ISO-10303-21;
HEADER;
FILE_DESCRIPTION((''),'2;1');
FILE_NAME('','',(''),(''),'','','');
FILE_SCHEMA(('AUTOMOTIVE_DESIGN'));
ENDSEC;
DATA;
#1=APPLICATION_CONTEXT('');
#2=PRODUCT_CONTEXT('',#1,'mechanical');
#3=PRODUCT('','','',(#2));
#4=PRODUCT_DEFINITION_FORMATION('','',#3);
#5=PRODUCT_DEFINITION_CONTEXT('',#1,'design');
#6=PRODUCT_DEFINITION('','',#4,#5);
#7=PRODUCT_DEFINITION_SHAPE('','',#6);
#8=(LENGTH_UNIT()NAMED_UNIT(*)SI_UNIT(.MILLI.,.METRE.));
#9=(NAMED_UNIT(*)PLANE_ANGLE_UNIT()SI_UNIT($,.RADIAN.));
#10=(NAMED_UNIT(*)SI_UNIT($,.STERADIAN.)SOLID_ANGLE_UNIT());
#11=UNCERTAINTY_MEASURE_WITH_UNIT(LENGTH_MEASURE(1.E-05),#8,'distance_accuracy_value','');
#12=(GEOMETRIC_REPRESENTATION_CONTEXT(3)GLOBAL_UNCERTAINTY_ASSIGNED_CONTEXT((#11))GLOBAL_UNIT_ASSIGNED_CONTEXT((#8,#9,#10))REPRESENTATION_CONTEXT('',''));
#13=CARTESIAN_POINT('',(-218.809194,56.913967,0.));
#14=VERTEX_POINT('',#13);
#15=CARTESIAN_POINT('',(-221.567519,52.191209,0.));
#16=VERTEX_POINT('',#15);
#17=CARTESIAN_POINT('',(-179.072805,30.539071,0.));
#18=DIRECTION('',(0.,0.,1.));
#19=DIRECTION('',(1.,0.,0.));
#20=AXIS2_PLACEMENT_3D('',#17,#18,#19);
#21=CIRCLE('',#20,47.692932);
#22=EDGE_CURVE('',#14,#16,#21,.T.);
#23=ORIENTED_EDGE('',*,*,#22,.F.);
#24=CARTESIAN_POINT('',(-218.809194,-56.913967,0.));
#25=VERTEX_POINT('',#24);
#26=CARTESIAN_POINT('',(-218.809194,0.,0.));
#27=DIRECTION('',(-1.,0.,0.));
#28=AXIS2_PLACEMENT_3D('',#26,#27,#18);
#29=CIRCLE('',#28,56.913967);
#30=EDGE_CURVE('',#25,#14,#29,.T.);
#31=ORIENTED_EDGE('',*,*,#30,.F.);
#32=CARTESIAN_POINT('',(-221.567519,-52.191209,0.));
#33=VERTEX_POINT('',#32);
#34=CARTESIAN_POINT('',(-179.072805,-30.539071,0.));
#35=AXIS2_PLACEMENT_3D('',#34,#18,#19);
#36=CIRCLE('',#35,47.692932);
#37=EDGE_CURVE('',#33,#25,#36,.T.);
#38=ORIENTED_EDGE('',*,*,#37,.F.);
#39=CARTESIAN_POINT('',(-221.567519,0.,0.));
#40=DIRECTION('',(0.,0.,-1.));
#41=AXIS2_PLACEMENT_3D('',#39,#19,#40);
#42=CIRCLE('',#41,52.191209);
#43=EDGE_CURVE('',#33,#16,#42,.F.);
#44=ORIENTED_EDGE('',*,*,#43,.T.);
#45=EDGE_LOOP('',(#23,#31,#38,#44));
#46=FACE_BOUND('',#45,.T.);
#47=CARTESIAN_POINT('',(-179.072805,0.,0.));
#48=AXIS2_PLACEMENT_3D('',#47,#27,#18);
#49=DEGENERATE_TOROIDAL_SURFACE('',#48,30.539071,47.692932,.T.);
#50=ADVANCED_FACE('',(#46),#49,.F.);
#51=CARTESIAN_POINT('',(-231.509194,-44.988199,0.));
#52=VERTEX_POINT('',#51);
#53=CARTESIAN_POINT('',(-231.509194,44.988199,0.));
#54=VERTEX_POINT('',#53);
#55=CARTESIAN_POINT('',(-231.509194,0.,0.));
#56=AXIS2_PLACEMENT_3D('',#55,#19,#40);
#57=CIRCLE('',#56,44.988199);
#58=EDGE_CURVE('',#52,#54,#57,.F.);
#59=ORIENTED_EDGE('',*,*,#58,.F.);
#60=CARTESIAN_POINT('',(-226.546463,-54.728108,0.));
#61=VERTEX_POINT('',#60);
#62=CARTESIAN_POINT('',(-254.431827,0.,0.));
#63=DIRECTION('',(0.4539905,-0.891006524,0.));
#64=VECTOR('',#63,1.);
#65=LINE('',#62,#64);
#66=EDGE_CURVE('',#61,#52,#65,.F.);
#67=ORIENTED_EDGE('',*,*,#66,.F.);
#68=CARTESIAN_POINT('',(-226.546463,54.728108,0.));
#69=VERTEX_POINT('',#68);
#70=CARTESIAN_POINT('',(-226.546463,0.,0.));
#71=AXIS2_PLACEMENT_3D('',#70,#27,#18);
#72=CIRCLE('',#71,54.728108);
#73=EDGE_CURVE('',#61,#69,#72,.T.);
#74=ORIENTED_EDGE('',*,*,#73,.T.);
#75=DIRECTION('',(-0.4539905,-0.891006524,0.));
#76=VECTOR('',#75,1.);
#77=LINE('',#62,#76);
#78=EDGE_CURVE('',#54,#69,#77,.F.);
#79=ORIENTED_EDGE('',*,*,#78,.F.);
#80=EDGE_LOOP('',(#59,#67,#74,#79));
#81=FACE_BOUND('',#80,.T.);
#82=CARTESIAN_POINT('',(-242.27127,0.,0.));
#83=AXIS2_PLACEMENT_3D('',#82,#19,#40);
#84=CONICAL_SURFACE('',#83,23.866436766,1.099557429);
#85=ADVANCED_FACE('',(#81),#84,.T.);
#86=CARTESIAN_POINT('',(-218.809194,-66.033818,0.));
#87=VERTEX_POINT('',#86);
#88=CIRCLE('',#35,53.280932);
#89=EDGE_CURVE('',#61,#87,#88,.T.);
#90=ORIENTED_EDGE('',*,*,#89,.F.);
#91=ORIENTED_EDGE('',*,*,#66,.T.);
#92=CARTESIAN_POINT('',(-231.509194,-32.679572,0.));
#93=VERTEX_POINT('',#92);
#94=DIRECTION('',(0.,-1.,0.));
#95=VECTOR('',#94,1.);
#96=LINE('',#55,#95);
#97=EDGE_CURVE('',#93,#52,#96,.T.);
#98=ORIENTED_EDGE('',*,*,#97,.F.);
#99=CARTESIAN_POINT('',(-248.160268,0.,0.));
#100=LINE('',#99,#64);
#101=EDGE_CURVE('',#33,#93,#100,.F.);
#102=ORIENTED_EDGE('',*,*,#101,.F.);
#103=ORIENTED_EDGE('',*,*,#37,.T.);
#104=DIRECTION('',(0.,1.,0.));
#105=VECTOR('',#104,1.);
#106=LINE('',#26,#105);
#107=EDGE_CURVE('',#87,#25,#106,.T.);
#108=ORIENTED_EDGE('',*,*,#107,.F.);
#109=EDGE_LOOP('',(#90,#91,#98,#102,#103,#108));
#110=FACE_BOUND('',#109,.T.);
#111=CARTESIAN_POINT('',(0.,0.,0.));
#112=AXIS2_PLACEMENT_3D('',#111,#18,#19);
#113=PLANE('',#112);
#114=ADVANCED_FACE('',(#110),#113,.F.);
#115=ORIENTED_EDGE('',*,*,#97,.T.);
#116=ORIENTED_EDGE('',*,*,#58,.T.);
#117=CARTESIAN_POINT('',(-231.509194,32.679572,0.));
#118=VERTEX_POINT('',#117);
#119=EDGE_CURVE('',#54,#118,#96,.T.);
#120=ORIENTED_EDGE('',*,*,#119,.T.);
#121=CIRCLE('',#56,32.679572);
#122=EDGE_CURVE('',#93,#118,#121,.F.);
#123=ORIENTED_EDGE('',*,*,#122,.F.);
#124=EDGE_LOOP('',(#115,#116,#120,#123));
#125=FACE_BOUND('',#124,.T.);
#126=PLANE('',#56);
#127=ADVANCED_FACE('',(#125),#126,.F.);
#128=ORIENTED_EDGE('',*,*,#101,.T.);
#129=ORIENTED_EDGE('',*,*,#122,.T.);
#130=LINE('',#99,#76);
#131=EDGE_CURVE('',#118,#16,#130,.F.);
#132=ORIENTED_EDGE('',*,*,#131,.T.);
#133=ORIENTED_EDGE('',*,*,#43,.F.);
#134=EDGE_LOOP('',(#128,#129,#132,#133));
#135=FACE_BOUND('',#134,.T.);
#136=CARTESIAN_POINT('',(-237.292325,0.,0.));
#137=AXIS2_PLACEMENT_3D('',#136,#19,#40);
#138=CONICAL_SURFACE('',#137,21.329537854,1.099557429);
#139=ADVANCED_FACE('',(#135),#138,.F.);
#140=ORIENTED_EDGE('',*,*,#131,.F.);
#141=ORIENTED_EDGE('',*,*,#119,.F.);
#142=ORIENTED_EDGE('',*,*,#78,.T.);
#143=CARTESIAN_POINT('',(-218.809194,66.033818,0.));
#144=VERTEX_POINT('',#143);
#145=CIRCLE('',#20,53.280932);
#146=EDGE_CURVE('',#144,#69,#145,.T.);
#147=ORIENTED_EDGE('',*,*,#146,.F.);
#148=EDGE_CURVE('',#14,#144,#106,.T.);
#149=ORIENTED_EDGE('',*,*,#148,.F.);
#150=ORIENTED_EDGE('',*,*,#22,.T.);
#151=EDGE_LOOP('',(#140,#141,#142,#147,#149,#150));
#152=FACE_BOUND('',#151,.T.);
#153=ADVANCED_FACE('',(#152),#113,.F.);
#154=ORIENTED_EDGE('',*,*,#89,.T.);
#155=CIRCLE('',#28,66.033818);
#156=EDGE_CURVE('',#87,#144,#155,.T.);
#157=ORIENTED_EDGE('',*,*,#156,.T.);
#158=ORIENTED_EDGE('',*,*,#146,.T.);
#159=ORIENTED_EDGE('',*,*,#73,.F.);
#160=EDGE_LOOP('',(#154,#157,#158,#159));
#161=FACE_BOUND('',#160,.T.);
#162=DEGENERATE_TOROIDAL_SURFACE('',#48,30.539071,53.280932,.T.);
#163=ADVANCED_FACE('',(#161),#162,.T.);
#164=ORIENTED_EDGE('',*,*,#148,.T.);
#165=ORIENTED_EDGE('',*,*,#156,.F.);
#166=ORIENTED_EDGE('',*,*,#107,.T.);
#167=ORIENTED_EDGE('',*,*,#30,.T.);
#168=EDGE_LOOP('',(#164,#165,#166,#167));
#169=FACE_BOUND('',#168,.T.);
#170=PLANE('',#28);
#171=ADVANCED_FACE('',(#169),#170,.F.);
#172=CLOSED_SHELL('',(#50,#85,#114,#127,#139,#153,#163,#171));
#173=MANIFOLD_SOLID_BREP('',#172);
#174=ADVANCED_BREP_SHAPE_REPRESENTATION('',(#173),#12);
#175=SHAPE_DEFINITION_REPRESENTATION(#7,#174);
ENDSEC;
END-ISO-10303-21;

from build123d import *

# Parameters (mm, degrees)
SCALE1_SCALE       = 649.76746201
SHELL2_T           = 5.588
SKETCH3_R          = 101.6
SKETCH3_R_2        = 66.04
CUT_EXTRUDE2_DEPTH = 535.742534837
CUT_EXTRUDE3_START = -41.91
SKETCH4_R          = 92.04718224
CUT_EXTRUDE3_DEPTH = 41.91
CUT_EXTRUDE4_START = -12.7
SKETCH5_R          = 73.005644817
CUT_EXTRUDE4_DEPTH = 50.8
SKETCH6_W          = 424.059423161
SKETCH6_H          = 690.342462677
CUT_EXTRUDE5_DEPTH = 250.634607617


with BuildPart() as part:
    # Sketch1 → Revolve2 (revolve)
    with BuildSketch(Plane.XY, mode=Mode.PRIVATE) as revolve2_sk:
        with BuildLine():
            Line((0.30325, 0.129), (-0.275595218, 0.129))
            ThreePointArc((-0.275595218, 0.129), (-0.3184401, 0.116916493), (-0.348657753, 0.084227221))
            Line((-0.348657753, 0.084227221), (-0.372858421, 0.036730735))
            ThreePointArc((-0.372858421, 0.036730735), (-0.374701425, 0.034736985), (-0.377314576, 0.034))
            Line((-0.377314576, 0.034), (-0.40125, 0.034))
            Line((-0.40125, 0.034), (-0.40125, 0))
            Line((-0.40125, 0), (0.40125, 0))
            Line((0.40125, 0), (0.40125, 0.000587576))
            ThreePointArc((0.40125, 0.000587576), (0.399958659, 0.015347671), (0.396123873, 0.029659288))
            Line((0.396123873, 0.029659288), (0.379365102, 0.075703632))
            ThreePointArc((0.379365102, 0.075703632), (0.349709691, 0.114351316), (0.30325, 0.129))
        make_face()
    revolve(revolve2_sk.sketch.rotate(Axis((-0.40125, 0, 0), (1, 0, 0)), 90), axis=Axis((-0.40125, 0, 0), (1, 0, 0)))


with BuildPart() as part_1:
    # Scale1: scaled about (0, 0, 0)
    add(part.part.scale(SCALE1_SCALE))

    # Shell2 (no face opened: a closed hollow body)
    add(offset(amount=-SHELL2_T, mode=Mode.PRIVATE), mode=Mode.SUBTRACT)

    # Sketch3 → Cut-Extrude2 (cut, through all)
    with BuildSketch(Plane.ZY.offset(260.719194132)):
        Circle(SKETCH3_R)
        with Locations(Location((0, 0, 0), (0, 0, 180))):
            Circle(SKETCH3_R_2, mode=Mode.SUBTRACT)
    extrude(amount=-CUT_EXTRUDE2_DEPTH, mode=Mode.SUBTRACT)


with BuildPart() as body_2:
    # of the pieces the cut leaves, the one that is kept (cut_extrude2_keep)
    add(part_1.part.solids().sort_by_distance((-218.803671245, 0, 66.04))[0])

    # Sketch4 → Cut-Extrude3 (cut)
    with BuildSketch(Plane.ZY.offset(260.719194132).offset(CUT_EXTRUDE3_START)):
        Circle(SKETCH4_R)
    extrude(amount=-CUT_EXTRUDE3_DEPTH, mode=Mode.SUBTRACT)

    # Sketch5 → Cut-Extrude4 (cut)
    with BuildSketch(Plane(origin=(-218.809194132, 0, 0), x_dir=(0, 0, -1), z_dir=(1, 0, 0)).offset(CUT_EXTRUDE4_START)):
        Circle(SKETCH5_R)
    extrude(amount=-CUT_EXTRUDE4_DEPTH, mode=Mode.SUBTRACT)

    # Sketch6 → Cut-Extrude5 (cut, through all)
    with BuildSketch(Plane.XY):
        with Locations((-333.697276698, 135.370996171)):
            Rectangle(SKETCH6_W, SKETCH6_H)
    extrude(amount=-CUT_EXTRUDE5_DEPTH, mode=Mode.SUBTRACT)


solid = body_2.part
